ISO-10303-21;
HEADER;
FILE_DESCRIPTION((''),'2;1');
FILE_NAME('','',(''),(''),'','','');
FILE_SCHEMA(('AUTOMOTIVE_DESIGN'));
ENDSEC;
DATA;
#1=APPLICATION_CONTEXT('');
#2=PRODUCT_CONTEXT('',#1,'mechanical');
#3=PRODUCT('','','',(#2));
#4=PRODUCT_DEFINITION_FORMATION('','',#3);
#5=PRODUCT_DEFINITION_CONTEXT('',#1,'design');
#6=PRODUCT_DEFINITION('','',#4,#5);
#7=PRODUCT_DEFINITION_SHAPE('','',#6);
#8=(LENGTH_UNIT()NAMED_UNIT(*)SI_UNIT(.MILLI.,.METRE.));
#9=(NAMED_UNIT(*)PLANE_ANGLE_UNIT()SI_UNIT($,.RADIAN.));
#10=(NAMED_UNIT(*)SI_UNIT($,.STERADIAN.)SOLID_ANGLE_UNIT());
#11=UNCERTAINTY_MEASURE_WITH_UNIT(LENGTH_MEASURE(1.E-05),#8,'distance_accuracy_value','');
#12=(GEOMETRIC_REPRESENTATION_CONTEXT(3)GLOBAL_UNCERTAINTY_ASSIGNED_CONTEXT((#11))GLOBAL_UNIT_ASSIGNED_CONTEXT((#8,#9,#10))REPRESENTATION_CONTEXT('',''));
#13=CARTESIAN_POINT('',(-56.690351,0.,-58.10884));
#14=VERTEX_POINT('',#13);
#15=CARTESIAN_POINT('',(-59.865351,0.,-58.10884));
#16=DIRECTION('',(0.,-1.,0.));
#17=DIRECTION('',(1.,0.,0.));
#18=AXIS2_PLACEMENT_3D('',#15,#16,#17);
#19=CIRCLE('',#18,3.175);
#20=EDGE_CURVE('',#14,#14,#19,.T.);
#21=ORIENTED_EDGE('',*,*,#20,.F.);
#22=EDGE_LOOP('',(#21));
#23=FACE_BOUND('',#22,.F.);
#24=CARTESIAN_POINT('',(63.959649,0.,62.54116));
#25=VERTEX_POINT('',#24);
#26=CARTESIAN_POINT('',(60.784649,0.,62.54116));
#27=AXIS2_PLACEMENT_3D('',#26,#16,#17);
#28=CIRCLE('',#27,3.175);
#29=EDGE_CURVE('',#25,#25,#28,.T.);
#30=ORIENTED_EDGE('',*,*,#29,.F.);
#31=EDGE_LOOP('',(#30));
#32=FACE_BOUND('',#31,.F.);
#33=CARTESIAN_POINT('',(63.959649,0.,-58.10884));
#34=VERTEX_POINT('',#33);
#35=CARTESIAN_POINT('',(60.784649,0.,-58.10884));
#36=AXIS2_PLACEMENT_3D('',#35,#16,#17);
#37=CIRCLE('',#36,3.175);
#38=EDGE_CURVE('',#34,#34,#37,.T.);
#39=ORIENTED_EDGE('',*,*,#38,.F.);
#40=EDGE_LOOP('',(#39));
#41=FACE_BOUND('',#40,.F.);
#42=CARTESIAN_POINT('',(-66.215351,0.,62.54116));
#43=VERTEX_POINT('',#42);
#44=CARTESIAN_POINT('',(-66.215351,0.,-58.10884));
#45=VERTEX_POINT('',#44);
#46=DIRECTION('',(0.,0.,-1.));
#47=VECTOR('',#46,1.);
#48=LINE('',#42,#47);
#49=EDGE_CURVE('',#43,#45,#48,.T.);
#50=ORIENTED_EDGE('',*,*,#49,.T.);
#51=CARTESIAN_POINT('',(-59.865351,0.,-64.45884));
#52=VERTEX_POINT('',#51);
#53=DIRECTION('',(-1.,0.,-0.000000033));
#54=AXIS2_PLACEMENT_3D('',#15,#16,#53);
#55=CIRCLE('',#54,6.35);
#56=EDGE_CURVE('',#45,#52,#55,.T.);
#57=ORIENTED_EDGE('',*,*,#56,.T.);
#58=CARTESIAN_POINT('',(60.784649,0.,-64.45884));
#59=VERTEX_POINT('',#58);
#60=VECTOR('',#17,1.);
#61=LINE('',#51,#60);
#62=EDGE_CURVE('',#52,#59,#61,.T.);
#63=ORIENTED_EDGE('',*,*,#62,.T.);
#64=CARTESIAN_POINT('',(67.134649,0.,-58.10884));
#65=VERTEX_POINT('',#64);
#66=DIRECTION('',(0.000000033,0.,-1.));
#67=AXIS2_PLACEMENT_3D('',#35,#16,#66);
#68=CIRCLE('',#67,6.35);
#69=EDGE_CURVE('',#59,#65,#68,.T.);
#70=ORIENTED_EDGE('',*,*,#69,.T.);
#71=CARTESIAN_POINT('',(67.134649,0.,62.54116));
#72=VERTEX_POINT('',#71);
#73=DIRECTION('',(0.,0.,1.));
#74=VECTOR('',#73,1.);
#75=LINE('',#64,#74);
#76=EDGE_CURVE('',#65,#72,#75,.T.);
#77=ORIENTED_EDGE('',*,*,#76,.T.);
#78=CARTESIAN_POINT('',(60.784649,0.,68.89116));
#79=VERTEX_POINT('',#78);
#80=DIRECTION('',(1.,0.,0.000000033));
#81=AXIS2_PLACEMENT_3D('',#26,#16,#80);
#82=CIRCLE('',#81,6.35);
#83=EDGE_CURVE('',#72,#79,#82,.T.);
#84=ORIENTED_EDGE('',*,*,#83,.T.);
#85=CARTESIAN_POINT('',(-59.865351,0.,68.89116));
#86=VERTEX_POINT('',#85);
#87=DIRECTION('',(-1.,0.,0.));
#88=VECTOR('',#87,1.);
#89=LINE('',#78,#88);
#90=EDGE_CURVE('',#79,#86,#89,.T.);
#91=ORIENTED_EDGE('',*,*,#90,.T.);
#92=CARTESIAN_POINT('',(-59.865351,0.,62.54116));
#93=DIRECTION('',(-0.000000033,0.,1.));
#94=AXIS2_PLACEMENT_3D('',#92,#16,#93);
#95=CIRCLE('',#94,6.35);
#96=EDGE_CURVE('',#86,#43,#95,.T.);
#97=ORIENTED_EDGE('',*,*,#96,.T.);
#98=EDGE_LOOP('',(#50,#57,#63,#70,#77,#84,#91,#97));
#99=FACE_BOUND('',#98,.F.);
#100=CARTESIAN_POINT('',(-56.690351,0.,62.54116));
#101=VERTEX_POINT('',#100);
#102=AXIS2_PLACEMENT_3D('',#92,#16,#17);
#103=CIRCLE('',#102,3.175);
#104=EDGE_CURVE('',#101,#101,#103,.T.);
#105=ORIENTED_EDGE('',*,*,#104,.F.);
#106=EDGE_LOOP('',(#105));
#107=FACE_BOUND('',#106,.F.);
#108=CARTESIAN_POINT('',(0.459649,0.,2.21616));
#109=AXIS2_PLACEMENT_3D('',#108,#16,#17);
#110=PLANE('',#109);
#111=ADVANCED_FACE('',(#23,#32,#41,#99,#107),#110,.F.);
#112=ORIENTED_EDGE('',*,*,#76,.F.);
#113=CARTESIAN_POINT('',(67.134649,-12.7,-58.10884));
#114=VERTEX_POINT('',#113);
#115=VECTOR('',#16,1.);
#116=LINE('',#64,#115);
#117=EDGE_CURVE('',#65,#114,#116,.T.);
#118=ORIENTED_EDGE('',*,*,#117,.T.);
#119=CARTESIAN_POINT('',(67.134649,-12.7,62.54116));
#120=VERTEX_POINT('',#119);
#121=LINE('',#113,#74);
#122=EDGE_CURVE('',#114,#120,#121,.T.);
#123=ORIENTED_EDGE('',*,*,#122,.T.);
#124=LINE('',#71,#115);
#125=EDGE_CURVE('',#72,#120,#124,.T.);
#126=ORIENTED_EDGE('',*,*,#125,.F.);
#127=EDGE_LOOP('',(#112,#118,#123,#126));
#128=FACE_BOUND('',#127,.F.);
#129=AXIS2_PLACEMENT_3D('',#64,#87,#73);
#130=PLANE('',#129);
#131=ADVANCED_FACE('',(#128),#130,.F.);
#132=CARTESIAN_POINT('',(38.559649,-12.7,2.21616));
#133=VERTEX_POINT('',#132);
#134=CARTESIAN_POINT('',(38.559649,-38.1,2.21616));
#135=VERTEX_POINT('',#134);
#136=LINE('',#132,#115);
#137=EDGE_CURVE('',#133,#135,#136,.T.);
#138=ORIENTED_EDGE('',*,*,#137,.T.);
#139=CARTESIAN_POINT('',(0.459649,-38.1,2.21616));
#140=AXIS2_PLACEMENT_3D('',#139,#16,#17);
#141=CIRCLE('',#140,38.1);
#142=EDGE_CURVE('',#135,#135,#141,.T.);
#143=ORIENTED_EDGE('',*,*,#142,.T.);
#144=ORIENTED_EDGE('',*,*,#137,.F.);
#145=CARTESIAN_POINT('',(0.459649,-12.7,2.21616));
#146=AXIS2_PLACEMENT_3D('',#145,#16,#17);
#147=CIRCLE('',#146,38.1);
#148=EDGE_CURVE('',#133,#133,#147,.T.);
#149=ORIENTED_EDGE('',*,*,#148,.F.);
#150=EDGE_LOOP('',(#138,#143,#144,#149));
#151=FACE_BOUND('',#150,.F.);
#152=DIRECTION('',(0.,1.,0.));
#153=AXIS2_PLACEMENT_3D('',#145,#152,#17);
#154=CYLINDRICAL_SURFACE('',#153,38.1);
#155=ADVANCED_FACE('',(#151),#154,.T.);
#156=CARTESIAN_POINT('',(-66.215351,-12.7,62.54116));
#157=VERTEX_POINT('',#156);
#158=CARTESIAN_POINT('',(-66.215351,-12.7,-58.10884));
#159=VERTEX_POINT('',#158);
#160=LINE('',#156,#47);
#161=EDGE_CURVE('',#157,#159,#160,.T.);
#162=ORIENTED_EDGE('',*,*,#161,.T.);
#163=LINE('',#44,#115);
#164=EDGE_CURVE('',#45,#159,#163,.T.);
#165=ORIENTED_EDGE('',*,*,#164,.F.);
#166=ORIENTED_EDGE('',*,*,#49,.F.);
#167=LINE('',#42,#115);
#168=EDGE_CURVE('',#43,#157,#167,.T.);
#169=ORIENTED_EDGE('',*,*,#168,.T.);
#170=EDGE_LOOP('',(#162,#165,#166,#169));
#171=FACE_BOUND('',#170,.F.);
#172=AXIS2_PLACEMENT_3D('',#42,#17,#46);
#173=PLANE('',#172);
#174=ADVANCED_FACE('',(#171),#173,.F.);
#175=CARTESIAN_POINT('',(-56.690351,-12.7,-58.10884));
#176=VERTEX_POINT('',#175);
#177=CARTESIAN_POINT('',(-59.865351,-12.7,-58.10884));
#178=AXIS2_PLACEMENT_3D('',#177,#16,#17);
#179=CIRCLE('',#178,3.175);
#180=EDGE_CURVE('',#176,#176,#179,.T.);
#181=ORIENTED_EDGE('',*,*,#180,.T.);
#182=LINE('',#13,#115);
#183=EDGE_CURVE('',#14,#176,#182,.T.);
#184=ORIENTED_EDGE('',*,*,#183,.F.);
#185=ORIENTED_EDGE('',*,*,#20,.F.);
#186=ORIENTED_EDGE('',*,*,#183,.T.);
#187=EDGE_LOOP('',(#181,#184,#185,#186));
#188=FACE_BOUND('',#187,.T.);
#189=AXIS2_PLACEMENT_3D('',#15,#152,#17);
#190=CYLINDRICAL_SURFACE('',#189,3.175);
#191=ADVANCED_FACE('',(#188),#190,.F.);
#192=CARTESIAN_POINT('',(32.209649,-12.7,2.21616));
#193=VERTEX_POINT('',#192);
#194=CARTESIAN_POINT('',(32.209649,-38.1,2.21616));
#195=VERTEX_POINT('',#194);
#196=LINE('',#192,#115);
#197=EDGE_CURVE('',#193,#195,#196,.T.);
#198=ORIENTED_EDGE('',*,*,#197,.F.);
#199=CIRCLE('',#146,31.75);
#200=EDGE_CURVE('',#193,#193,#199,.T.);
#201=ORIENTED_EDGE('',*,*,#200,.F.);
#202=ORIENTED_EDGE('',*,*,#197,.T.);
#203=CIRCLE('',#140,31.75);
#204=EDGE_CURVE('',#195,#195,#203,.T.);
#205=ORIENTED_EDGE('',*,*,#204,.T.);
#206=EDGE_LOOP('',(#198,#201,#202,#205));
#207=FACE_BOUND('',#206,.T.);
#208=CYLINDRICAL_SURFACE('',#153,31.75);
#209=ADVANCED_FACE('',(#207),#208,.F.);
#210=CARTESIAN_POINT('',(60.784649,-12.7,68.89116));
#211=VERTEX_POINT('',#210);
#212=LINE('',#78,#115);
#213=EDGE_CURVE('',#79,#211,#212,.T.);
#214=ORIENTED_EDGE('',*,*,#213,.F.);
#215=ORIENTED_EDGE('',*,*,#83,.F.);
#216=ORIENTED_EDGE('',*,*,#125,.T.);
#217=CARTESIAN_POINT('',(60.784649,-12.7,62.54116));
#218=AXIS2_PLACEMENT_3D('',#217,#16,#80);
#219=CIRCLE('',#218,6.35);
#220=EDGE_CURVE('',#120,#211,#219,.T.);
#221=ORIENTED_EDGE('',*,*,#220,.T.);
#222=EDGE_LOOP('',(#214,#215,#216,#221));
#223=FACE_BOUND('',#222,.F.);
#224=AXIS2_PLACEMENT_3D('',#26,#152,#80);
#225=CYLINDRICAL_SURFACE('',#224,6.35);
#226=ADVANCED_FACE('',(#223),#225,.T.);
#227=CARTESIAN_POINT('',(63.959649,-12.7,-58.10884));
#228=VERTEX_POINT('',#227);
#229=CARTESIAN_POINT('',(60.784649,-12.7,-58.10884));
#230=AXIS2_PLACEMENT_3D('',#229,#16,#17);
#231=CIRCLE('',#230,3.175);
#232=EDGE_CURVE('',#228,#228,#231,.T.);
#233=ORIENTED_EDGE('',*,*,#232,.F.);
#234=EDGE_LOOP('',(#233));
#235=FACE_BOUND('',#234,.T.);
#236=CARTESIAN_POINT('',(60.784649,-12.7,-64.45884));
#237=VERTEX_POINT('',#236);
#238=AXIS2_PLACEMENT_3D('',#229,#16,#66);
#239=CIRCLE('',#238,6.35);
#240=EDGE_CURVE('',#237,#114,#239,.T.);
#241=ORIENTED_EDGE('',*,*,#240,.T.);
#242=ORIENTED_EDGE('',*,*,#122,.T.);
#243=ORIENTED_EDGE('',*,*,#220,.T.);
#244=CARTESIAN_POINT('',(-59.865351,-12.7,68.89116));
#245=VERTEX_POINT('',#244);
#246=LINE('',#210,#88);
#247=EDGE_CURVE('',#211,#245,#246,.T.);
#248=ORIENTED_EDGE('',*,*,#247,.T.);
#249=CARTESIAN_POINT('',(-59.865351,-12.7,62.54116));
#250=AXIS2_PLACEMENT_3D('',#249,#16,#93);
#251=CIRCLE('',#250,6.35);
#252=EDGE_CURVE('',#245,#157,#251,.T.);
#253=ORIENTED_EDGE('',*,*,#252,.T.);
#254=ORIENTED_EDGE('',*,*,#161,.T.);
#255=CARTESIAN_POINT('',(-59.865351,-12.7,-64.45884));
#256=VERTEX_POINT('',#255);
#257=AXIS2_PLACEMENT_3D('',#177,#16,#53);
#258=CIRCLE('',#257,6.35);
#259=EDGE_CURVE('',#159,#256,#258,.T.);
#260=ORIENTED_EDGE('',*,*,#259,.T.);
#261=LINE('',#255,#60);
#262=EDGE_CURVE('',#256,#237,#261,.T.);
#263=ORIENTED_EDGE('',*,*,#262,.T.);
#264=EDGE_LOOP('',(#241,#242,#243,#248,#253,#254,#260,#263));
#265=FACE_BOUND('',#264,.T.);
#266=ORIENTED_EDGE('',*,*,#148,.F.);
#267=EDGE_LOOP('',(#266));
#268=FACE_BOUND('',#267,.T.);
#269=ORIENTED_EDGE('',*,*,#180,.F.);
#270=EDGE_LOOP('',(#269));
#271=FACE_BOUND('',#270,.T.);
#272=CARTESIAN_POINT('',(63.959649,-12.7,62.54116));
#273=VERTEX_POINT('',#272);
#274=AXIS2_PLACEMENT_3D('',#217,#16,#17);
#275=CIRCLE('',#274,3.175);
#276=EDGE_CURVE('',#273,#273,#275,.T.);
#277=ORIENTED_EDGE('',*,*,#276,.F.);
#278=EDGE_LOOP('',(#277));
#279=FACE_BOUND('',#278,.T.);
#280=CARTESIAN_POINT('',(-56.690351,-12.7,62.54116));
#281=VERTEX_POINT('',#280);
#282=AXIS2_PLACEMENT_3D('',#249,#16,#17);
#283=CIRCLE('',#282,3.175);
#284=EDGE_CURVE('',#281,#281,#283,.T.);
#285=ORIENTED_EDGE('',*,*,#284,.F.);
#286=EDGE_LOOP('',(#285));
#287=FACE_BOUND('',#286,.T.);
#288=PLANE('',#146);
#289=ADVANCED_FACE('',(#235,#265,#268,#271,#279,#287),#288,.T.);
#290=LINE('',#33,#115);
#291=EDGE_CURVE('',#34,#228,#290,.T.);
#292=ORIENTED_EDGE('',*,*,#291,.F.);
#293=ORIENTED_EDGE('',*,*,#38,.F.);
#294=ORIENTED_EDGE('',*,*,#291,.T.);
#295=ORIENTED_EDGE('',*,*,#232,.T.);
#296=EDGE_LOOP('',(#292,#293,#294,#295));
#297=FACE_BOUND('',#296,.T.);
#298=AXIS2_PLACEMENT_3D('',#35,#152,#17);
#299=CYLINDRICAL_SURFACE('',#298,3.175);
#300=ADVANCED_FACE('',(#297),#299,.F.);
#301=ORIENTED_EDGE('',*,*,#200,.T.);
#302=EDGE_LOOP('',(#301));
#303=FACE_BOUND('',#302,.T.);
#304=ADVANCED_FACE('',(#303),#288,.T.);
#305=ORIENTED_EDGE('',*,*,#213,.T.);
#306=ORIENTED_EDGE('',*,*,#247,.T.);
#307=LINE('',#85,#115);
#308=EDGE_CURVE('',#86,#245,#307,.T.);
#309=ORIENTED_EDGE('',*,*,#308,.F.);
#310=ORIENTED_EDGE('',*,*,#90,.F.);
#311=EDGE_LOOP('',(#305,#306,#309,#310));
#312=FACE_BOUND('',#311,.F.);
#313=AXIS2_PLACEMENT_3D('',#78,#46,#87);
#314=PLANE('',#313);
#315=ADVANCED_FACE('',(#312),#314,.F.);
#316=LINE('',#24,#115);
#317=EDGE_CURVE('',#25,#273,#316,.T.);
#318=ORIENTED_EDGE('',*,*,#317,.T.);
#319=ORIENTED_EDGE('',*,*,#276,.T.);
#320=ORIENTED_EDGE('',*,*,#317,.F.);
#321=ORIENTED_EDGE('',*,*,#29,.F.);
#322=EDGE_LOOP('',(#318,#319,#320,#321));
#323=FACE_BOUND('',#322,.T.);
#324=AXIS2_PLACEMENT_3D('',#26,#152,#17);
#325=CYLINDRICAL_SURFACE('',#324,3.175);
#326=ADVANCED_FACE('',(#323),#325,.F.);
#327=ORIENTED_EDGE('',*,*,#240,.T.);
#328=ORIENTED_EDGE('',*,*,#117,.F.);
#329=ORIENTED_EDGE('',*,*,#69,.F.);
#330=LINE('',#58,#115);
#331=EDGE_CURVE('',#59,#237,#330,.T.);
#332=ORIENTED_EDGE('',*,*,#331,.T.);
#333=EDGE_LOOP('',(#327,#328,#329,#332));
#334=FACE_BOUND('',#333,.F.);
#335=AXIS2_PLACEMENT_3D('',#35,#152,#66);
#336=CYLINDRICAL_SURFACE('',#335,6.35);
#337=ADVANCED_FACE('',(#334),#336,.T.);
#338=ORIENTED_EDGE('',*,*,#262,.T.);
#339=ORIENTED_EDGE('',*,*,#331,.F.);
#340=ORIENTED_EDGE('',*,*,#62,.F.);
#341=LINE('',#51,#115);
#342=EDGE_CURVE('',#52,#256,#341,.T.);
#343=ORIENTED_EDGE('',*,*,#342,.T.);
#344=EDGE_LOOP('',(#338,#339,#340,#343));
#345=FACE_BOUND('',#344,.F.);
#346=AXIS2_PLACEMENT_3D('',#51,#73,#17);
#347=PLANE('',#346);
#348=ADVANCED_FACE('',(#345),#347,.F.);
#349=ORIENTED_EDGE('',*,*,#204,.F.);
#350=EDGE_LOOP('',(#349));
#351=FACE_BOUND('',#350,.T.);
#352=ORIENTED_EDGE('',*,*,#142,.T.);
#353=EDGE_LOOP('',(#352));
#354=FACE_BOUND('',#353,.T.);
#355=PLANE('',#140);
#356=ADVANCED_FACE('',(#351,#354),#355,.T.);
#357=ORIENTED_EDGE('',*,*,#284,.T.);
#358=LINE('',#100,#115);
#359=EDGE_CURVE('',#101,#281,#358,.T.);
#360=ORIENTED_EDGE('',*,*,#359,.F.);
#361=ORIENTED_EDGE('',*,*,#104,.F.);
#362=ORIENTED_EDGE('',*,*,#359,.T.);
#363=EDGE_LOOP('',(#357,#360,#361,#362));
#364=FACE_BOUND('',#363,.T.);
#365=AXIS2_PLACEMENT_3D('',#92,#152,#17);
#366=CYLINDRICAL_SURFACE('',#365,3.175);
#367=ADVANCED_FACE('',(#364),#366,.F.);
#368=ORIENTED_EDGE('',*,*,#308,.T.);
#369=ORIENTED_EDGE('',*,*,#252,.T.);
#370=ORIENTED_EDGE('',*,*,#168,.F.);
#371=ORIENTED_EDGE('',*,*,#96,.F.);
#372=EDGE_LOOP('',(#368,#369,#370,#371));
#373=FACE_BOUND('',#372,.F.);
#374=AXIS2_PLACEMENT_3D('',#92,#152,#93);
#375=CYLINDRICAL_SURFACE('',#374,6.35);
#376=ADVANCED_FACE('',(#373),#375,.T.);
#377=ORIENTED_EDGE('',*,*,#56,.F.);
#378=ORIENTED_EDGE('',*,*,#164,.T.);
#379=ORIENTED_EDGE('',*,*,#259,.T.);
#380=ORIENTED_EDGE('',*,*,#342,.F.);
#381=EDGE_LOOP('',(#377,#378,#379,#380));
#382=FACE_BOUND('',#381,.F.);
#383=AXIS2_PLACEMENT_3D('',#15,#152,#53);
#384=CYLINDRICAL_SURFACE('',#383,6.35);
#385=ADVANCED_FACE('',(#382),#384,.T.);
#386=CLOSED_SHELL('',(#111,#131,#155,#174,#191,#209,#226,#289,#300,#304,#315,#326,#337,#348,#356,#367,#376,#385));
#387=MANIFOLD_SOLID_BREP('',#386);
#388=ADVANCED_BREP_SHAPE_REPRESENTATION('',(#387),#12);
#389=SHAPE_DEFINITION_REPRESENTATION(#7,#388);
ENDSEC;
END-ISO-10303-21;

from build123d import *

# Parameters (mm, degrees)
F0_R     = 3.175
F1_DEPTH = 12.7
F2_R     = 38.1
F2_R_2   = 31.75
F3_DEPTH = 25.4


with BuildPart() as f1:
    # F0 (on Front) → F1 (new body)
    with BuildSketch(Plane.XZ):
        with BuildLine():
            Line((60.784649, 68.89116), (-59.865351, 68.89116))
            ThreePointArc((-59.865351, 68.89116), (-64.355479, 67.031288), (-66.215351, 62.54116))
            Line((-66.215351, 62.54116), (-66.215351, -58.10884))
            ThreePointArc((-66.215351, -58.10884), (-64.355479, -62.598968), (-59.865351, -64.45884))
            Line((-59.865351, -64.45884), (60.784649, -64.45884))
            ThreePointArc((60.784649, -64.45884), (65.274777, -62.598968), (67.134649, -58.10884))
            Line((67.134649, -58.10884), (67.134649, 62.54116))
            ThreePointArc((67.134649, 62.54116), (65.274777, 67.031288), (60.784649, 68.89116))
        make_face()
        with Locations((-59.865351, -58.10884)):
            Circle(F0_R, mode=Mode.SUBTRACT)
        with Locations((60.784649, -58.10884)):
            Circle(F0_R, mode=Mode.SUBTRACT)
        with Locations((-59.865351, 62.54116)):
            Circle(F0_R, mode=Mode.SUBTRACT)
        with Locations((60.784649, 62.54116)):
            Circle(F0_R, mode=Mode.SUBTRACT)
    extrude(amount=F1_DEPTH)

    # F2 (on face) → F3 (join)
    with BuildSketch(Plane.XZ.offset(12.7)):
        with Locations((0.459649, 2.21616)):
            Circle(F2_R)
        with Locations((0.459649, 2.21616)):
            Circle(F2_R_2, mode=Mode.SUBTRACT)
    extrude(amount=F3_DEPTH)


solid = f1.part
